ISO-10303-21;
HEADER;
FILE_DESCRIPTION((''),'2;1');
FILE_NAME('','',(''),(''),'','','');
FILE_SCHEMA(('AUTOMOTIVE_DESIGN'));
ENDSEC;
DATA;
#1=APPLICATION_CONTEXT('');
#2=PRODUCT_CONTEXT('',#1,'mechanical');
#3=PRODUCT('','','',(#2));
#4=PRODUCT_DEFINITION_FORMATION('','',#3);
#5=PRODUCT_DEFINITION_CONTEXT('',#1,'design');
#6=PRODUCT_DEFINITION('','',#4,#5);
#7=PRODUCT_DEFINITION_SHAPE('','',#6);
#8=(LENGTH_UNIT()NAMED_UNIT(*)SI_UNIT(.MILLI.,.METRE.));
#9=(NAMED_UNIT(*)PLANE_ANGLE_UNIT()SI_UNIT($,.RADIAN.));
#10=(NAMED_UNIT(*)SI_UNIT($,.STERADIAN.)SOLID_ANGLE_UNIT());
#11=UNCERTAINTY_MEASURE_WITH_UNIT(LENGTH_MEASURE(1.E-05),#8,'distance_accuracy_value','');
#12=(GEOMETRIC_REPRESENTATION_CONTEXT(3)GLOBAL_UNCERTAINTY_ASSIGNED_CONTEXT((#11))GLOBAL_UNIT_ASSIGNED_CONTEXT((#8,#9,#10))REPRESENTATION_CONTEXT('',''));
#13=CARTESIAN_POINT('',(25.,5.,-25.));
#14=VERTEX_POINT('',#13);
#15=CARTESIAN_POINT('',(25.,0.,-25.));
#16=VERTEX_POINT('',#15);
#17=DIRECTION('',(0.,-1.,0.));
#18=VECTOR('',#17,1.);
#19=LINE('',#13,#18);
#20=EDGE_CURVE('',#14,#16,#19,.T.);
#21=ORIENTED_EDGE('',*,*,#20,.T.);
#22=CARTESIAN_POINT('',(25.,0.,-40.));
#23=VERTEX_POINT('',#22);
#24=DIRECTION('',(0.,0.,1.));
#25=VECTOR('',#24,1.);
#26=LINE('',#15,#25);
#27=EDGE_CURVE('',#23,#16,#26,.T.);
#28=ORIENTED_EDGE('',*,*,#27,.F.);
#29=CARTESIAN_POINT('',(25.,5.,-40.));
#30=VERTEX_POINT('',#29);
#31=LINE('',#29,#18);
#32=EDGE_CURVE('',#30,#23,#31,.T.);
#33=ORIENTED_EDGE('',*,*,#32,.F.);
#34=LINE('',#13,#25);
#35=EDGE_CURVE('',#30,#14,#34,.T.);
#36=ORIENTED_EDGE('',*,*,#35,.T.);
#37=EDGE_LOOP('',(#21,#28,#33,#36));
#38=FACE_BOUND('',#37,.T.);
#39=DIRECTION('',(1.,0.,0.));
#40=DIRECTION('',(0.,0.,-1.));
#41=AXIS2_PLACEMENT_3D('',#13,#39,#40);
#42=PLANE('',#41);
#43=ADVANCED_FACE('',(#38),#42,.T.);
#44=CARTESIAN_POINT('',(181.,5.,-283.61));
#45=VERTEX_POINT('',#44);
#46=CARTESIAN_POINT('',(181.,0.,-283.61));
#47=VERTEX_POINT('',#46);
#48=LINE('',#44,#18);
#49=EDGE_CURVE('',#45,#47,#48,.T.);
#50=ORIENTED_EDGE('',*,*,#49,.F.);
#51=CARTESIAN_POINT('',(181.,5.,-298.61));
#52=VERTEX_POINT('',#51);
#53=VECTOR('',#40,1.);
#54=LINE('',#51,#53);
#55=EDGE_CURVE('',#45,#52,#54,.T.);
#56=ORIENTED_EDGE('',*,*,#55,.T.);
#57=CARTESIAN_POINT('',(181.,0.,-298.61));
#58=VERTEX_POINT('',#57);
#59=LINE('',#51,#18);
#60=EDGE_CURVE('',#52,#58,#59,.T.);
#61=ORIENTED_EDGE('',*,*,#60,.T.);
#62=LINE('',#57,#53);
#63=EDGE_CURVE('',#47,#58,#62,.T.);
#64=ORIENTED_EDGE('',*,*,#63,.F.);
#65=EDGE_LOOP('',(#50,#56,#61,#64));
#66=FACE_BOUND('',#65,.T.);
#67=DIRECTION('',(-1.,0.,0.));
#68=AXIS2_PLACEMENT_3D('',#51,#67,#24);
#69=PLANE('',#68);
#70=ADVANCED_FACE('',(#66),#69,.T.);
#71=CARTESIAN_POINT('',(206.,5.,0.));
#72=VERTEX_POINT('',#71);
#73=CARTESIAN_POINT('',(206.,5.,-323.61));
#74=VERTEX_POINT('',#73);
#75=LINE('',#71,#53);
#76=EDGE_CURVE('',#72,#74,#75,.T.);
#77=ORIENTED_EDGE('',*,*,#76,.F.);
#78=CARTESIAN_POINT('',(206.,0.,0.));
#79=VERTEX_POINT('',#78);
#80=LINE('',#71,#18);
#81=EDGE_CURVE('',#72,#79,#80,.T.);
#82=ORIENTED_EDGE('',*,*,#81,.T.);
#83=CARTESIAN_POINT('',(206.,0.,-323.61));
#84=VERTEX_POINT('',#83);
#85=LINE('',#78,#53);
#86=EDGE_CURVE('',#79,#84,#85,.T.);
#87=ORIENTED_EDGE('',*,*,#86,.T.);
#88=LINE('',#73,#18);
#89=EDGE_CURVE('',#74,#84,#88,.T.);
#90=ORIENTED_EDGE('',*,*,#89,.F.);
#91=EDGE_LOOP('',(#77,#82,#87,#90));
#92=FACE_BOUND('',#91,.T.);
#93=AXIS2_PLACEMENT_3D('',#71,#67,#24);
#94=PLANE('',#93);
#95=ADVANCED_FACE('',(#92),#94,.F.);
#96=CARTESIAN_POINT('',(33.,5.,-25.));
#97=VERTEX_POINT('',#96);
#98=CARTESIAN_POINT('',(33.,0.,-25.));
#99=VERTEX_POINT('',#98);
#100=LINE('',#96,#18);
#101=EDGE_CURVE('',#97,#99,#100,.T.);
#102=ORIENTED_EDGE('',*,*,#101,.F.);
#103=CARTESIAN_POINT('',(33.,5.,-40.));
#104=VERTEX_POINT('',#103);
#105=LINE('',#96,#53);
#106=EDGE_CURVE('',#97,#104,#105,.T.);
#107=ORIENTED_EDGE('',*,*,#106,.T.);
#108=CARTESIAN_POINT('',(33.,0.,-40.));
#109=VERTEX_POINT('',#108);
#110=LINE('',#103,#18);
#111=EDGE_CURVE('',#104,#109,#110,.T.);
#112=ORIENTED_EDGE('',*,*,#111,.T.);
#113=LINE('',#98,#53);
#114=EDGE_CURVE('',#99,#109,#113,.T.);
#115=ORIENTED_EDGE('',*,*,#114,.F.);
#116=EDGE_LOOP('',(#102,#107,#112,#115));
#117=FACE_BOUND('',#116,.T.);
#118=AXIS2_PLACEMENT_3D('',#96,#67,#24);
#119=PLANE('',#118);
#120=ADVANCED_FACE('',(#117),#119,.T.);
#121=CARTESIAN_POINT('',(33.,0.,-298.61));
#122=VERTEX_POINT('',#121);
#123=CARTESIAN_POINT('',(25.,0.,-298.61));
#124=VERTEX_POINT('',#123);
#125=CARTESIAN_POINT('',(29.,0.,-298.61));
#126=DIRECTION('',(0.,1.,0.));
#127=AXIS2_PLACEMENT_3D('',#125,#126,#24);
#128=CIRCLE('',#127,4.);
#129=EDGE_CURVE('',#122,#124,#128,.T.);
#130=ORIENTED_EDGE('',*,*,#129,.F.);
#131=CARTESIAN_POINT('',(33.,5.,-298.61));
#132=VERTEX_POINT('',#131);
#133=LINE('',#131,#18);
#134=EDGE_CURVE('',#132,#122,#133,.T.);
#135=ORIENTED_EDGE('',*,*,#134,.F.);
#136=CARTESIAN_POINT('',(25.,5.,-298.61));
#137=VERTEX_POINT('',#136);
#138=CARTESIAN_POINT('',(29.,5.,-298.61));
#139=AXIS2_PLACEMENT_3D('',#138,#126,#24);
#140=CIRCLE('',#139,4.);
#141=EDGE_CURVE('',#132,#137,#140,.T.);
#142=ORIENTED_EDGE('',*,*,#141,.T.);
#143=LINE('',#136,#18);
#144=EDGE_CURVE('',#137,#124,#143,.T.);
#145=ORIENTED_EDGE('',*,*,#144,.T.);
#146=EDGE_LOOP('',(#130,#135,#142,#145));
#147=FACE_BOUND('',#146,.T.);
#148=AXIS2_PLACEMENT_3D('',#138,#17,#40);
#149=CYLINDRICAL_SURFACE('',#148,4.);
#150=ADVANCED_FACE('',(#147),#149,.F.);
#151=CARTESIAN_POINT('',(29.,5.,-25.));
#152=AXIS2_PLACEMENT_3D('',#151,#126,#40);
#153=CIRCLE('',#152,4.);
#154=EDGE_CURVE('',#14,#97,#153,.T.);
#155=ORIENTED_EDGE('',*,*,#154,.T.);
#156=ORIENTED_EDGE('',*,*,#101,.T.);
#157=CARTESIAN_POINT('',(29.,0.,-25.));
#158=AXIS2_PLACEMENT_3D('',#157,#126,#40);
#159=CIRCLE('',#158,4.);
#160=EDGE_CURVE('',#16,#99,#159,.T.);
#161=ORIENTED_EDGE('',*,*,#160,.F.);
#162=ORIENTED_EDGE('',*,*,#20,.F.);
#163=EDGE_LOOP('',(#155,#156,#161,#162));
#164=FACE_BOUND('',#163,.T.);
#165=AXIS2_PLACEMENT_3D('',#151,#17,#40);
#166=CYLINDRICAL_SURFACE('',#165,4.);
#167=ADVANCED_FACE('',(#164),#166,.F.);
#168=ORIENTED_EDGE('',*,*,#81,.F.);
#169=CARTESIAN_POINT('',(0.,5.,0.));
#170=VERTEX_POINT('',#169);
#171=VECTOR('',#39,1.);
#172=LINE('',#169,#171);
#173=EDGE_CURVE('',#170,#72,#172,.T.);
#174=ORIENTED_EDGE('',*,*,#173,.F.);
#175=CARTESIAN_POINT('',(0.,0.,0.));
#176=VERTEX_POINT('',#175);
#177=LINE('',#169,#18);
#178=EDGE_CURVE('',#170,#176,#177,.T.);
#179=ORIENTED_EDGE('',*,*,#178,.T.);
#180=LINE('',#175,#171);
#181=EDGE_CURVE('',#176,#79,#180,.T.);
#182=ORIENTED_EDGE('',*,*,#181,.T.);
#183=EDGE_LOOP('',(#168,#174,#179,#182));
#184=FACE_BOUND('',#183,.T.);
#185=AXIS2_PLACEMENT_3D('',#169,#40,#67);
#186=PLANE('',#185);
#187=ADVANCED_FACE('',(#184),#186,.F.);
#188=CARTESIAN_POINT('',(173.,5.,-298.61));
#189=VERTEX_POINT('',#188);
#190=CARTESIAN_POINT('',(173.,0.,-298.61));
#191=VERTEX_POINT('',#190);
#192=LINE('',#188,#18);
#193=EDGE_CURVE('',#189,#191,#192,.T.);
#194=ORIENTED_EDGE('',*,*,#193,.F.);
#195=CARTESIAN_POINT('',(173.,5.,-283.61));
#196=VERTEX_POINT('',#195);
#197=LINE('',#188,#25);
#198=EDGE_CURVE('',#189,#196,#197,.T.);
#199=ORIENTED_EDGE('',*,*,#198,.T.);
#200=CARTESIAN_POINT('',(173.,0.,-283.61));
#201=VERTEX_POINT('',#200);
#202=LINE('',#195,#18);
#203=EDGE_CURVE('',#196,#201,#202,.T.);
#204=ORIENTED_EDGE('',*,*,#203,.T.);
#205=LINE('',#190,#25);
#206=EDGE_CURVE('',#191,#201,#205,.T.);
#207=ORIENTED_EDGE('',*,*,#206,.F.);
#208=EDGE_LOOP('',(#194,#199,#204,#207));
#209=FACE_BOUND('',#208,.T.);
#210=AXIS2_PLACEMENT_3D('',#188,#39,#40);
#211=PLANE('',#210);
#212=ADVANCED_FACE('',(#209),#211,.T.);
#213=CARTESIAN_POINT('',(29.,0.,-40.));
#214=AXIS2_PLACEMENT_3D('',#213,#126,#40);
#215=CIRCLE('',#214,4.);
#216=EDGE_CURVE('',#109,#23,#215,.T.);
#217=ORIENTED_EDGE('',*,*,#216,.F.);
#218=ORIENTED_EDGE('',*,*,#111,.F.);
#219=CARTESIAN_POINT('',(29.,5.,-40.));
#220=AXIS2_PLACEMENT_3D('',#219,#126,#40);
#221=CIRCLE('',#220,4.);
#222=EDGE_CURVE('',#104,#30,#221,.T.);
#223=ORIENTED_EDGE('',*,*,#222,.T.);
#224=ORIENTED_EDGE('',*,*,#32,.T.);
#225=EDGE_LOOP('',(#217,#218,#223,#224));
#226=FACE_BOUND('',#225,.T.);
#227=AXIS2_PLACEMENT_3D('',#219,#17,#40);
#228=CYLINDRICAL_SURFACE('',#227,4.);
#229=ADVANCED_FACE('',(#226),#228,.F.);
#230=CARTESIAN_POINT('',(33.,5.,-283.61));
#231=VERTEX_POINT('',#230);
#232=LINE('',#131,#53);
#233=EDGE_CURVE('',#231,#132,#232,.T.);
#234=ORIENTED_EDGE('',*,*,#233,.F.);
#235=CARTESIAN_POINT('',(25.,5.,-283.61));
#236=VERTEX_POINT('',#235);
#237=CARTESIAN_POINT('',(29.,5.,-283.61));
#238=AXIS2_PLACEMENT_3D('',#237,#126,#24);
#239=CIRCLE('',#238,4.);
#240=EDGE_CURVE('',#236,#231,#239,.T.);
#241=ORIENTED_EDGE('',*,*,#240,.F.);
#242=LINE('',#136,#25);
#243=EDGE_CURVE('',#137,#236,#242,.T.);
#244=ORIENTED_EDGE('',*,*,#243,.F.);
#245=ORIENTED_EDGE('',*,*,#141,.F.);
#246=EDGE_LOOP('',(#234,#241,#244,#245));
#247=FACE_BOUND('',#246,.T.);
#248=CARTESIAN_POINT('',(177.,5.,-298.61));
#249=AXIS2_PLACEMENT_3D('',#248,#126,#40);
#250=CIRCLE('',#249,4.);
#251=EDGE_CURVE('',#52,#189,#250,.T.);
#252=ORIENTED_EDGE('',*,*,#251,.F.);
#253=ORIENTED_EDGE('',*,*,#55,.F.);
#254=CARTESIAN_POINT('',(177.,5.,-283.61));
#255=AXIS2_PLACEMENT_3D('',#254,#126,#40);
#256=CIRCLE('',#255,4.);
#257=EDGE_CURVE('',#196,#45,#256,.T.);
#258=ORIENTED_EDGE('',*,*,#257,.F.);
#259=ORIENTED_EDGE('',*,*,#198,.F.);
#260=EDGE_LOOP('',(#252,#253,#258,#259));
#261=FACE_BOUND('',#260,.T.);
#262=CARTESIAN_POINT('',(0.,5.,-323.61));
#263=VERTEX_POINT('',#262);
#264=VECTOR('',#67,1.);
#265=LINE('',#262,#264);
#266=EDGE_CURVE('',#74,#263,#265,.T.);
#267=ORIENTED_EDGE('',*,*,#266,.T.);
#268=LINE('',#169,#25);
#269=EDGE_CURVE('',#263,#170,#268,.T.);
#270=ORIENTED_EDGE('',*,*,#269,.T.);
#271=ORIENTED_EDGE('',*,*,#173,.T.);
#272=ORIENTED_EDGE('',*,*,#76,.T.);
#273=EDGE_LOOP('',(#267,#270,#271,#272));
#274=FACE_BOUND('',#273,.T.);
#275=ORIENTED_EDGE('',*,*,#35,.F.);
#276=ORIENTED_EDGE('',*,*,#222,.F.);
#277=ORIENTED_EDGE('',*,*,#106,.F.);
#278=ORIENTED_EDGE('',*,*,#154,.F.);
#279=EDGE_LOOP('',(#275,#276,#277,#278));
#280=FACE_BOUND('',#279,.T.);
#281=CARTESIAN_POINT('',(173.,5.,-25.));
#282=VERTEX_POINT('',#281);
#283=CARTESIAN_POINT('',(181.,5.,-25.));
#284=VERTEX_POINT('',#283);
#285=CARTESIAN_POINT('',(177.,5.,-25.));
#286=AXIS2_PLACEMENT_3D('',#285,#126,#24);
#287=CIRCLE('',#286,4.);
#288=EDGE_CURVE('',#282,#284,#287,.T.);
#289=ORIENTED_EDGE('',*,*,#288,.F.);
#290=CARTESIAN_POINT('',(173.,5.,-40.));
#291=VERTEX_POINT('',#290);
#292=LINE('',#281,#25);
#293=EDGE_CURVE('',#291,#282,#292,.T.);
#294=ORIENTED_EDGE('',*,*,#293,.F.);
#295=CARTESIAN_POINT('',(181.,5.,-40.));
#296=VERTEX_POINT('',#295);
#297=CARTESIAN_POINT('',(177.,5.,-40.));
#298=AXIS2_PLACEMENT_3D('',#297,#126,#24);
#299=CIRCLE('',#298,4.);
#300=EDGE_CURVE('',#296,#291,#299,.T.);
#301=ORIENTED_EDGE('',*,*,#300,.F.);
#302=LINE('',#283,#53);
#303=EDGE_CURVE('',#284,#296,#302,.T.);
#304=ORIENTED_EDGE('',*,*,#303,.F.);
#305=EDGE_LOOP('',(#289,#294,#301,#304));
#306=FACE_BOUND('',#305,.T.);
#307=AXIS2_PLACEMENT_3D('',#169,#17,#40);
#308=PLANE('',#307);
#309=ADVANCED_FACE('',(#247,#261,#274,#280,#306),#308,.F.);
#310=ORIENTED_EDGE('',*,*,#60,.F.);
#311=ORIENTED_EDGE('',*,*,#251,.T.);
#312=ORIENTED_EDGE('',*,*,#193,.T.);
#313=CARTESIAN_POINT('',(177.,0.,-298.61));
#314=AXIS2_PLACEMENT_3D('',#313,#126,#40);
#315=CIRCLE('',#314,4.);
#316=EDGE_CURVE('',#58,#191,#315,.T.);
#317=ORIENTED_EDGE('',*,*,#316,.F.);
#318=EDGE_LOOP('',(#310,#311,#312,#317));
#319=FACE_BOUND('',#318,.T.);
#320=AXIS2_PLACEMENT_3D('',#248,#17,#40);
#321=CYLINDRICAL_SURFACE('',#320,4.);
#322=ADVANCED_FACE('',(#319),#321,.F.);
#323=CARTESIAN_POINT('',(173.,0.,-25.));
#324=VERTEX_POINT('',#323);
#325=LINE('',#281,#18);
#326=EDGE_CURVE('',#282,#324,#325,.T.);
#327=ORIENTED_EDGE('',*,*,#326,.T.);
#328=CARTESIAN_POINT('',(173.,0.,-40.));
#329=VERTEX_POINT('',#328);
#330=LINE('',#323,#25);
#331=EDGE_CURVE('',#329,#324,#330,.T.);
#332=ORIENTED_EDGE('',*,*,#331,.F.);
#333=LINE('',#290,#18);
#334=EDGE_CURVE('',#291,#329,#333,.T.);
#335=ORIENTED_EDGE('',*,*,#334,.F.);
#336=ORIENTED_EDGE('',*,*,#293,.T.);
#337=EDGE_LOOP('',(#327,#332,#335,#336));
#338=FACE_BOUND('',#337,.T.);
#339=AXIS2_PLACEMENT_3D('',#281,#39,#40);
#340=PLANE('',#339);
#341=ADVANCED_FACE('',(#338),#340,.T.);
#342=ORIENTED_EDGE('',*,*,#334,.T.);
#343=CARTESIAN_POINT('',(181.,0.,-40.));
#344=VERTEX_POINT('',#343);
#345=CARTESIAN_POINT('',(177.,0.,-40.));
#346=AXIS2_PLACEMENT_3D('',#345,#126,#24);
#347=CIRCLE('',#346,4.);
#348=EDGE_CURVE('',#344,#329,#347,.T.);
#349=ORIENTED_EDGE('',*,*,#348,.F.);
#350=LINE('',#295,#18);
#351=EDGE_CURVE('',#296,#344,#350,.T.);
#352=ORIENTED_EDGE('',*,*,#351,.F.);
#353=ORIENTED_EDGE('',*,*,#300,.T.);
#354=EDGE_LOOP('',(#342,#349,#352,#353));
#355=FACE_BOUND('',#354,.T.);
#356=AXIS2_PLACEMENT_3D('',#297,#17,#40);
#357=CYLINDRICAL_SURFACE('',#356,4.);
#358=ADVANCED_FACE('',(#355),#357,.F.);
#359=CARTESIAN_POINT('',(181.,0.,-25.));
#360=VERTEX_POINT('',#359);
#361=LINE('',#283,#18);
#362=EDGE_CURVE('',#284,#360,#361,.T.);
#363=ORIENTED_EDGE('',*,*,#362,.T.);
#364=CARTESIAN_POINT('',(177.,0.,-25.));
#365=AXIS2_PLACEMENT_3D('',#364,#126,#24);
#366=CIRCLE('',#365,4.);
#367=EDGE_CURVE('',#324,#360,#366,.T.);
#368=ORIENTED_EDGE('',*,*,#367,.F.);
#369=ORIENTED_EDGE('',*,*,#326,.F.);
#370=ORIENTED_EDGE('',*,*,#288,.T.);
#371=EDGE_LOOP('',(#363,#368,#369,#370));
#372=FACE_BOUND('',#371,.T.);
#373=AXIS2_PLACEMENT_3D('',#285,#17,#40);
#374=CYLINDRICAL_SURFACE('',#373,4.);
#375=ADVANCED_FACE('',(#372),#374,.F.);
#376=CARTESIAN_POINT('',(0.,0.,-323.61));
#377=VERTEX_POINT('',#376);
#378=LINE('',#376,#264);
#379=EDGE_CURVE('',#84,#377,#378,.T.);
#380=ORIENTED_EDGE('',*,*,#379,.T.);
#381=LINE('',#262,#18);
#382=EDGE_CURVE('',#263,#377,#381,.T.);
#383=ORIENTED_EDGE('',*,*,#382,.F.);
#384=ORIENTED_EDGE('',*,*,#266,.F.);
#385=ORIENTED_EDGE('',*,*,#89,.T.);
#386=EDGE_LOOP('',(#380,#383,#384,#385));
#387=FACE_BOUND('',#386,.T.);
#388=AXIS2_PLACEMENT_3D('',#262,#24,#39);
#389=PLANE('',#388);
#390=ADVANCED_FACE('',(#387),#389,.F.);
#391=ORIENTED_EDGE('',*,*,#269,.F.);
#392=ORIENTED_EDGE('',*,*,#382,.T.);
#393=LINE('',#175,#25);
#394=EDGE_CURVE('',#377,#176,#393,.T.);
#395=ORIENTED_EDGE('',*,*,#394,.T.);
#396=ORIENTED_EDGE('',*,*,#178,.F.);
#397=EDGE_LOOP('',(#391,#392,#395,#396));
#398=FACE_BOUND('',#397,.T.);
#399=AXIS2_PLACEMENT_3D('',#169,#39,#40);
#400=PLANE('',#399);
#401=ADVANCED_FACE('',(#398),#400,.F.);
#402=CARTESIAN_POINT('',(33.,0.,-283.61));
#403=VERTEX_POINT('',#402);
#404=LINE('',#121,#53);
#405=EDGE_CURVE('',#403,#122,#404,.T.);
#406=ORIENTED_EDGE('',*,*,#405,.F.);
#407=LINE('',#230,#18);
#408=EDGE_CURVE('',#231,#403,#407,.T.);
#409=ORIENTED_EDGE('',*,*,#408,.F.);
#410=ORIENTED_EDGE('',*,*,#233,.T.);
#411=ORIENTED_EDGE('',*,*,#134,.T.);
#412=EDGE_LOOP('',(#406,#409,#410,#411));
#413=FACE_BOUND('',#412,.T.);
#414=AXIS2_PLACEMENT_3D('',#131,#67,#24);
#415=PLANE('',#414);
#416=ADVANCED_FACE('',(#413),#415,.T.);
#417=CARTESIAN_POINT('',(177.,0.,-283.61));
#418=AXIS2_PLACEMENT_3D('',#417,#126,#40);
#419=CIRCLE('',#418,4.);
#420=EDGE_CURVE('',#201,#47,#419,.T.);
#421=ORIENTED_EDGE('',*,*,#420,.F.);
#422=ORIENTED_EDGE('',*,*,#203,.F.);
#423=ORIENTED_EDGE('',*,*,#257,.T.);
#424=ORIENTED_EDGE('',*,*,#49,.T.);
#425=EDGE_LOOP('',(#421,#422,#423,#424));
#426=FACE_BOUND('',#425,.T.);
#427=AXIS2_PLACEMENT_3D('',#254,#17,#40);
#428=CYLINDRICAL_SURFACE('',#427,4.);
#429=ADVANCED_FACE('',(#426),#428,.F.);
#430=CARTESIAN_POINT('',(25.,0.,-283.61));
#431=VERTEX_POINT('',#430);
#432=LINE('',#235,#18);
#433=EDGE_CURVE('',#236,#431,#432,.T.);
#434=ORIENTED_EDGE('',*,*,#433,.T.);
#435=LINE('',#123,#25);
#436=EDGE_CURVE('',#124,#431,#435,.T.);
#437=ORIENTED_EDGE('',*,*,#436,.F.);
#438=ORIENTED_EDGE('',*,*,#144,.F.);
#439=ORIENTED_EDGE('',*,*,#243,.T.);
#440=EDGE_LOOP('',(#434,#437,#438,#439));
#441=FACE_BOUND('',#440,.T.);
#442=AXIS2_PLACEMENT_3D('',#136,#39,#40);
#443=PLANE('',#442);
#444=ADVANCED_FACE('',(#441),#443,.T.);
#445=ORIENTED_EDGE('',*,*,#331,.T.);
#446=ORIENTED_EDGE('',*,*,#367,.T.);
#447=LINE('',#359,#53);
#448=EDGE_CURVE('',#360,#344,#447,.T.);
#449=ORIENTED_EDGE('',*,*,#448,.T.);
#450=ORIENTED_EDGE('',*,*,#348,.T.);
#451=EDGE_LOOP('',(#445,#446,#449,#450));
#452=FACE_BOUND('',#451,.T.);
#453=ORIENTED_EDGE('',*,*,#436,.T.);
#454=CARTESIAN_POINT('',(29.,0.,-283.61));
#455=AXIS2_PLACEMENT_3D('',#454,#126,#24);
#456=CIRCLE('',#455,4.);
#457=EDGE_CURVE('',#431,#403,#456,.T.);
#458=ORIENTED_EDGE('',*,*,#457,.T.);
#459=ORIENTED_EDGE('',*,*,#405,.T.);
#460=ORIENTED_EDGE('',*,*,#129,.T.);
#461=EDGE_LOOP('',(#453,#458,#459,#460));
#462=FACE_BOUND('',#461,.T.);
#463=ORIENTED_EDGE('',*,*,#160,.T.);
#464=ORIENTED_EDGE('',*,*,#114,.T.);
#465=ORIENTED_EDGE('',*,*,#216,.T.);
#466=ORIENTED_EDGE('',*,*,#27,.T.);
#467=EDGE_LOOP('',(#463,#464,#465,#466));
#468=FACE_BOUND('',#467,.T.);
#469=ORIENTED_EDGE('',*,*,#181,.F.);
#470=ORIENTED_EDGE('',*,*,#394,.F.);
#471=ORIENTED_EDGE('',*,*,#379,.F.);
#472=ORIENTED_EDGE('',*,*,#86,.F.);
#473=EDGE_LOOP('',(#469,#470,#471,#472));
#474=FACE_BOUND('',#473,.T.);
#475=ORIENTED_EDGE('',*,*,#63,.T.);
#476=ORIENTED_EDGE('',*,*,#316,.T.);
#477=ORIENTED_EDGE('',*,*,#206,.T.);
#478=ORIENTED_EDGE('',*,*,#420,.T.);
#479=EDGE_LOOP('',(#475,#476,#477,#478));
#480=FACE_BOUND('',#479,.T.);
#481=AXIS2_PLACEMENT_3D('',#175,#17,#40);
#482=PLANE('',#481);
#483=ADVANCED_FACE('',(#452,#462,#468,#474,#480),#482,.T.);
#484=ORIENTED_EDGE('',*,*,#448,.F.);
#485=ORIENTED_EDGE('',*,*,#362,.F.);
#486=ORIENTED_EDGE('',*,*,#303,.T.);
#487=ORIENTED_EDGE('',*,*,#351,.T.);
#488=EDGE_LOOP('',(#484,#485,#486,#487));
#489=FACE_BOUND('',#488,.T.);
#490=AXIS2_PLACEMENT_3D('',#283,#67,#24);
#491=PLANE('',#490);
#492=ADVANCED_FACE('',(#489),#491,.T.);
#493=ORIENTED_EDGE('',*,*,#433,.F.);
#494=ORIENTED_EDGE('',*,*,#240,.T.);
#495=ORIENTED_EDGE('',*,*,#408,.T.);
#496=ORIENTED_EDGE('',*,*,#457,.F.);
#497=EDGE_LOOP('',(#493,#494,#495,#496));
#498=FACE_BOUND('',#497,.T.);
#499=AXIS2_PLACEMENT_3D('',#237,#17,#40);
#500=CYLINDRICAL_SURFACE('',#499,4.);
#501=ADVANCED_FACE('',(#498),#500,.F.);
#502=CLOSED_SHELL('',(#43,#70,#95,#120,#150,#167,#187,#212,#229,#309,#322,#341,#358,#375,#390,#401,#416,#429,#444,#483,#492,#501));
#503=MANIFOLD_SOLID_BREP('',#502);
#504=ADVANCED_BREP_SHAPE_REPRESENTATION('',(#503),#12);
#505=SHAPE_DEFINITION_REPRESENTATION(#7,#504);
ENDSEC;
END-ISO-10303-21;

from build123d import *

# Parameters (mm, degrees)
SKETCH1_W           = 206
SKETCH1_H           = 323.61
BOSS_EXTRUDE1_DEPTH = 5


with BuildPart() as part:
    # Sketch1 → Boss-Extrude1 (new body)
    with BuildSketch(Plane(origin=(0, 0, 0), x_dir=(1, 0, 0), z_dir=(0, 1, 0))):
        with Locations((103, 161.805)):
            Rectangle(SKETCH1_W, SKETCH1_H)
        with BuildLine():
            Line((25, 298.61), (25, 283.61))
            ThreePointArc((25, 283.61), (29, 279.61), (33, 283.61))
            Line((33, 283.61), (33, 298.61))
            ThreePointArc((33, 298.61), (29, 302.61), (25, 298.61))
        make_face(mode=Mode.SUBTRACT)
        with BuildLine():
            Line((25, 25), (25, 40))
            ThreePointArc((25, 40), (29, 44), (33, 40))
            Line((33, 40), (33, 25))
            ThreePointArc((33, 25), (29, 21), (25, 25))
        make_face(mode=Mode.SUBTRACT)
        with BuildLine():
            Line((173, 25), (173, 40))
            ThreePointArc((173, 40), (177, 44), (181, 40))
            Line((181, 40), (181, 25))
            ThreePointArc((181, 25), (177, 21), (173, 25))
        make_face(mode=Mode.SUBTRACT)
        with BuildLine():
            Line((173, 298.61), (173, 283.61))
            ThreePointArc((173, 283.61), (177, 279.61), (181, 283.61))
            Line((181, 283.61), (181, 298.61))
            ThreePointArc((181, 298.61), (177, 302.61), (173, 298.61))
        make_face(mode=Mode.SUBTRACT)
    extrude(amount=BOSS_EXTRUDE1_DEPTH)


solid = part.part
